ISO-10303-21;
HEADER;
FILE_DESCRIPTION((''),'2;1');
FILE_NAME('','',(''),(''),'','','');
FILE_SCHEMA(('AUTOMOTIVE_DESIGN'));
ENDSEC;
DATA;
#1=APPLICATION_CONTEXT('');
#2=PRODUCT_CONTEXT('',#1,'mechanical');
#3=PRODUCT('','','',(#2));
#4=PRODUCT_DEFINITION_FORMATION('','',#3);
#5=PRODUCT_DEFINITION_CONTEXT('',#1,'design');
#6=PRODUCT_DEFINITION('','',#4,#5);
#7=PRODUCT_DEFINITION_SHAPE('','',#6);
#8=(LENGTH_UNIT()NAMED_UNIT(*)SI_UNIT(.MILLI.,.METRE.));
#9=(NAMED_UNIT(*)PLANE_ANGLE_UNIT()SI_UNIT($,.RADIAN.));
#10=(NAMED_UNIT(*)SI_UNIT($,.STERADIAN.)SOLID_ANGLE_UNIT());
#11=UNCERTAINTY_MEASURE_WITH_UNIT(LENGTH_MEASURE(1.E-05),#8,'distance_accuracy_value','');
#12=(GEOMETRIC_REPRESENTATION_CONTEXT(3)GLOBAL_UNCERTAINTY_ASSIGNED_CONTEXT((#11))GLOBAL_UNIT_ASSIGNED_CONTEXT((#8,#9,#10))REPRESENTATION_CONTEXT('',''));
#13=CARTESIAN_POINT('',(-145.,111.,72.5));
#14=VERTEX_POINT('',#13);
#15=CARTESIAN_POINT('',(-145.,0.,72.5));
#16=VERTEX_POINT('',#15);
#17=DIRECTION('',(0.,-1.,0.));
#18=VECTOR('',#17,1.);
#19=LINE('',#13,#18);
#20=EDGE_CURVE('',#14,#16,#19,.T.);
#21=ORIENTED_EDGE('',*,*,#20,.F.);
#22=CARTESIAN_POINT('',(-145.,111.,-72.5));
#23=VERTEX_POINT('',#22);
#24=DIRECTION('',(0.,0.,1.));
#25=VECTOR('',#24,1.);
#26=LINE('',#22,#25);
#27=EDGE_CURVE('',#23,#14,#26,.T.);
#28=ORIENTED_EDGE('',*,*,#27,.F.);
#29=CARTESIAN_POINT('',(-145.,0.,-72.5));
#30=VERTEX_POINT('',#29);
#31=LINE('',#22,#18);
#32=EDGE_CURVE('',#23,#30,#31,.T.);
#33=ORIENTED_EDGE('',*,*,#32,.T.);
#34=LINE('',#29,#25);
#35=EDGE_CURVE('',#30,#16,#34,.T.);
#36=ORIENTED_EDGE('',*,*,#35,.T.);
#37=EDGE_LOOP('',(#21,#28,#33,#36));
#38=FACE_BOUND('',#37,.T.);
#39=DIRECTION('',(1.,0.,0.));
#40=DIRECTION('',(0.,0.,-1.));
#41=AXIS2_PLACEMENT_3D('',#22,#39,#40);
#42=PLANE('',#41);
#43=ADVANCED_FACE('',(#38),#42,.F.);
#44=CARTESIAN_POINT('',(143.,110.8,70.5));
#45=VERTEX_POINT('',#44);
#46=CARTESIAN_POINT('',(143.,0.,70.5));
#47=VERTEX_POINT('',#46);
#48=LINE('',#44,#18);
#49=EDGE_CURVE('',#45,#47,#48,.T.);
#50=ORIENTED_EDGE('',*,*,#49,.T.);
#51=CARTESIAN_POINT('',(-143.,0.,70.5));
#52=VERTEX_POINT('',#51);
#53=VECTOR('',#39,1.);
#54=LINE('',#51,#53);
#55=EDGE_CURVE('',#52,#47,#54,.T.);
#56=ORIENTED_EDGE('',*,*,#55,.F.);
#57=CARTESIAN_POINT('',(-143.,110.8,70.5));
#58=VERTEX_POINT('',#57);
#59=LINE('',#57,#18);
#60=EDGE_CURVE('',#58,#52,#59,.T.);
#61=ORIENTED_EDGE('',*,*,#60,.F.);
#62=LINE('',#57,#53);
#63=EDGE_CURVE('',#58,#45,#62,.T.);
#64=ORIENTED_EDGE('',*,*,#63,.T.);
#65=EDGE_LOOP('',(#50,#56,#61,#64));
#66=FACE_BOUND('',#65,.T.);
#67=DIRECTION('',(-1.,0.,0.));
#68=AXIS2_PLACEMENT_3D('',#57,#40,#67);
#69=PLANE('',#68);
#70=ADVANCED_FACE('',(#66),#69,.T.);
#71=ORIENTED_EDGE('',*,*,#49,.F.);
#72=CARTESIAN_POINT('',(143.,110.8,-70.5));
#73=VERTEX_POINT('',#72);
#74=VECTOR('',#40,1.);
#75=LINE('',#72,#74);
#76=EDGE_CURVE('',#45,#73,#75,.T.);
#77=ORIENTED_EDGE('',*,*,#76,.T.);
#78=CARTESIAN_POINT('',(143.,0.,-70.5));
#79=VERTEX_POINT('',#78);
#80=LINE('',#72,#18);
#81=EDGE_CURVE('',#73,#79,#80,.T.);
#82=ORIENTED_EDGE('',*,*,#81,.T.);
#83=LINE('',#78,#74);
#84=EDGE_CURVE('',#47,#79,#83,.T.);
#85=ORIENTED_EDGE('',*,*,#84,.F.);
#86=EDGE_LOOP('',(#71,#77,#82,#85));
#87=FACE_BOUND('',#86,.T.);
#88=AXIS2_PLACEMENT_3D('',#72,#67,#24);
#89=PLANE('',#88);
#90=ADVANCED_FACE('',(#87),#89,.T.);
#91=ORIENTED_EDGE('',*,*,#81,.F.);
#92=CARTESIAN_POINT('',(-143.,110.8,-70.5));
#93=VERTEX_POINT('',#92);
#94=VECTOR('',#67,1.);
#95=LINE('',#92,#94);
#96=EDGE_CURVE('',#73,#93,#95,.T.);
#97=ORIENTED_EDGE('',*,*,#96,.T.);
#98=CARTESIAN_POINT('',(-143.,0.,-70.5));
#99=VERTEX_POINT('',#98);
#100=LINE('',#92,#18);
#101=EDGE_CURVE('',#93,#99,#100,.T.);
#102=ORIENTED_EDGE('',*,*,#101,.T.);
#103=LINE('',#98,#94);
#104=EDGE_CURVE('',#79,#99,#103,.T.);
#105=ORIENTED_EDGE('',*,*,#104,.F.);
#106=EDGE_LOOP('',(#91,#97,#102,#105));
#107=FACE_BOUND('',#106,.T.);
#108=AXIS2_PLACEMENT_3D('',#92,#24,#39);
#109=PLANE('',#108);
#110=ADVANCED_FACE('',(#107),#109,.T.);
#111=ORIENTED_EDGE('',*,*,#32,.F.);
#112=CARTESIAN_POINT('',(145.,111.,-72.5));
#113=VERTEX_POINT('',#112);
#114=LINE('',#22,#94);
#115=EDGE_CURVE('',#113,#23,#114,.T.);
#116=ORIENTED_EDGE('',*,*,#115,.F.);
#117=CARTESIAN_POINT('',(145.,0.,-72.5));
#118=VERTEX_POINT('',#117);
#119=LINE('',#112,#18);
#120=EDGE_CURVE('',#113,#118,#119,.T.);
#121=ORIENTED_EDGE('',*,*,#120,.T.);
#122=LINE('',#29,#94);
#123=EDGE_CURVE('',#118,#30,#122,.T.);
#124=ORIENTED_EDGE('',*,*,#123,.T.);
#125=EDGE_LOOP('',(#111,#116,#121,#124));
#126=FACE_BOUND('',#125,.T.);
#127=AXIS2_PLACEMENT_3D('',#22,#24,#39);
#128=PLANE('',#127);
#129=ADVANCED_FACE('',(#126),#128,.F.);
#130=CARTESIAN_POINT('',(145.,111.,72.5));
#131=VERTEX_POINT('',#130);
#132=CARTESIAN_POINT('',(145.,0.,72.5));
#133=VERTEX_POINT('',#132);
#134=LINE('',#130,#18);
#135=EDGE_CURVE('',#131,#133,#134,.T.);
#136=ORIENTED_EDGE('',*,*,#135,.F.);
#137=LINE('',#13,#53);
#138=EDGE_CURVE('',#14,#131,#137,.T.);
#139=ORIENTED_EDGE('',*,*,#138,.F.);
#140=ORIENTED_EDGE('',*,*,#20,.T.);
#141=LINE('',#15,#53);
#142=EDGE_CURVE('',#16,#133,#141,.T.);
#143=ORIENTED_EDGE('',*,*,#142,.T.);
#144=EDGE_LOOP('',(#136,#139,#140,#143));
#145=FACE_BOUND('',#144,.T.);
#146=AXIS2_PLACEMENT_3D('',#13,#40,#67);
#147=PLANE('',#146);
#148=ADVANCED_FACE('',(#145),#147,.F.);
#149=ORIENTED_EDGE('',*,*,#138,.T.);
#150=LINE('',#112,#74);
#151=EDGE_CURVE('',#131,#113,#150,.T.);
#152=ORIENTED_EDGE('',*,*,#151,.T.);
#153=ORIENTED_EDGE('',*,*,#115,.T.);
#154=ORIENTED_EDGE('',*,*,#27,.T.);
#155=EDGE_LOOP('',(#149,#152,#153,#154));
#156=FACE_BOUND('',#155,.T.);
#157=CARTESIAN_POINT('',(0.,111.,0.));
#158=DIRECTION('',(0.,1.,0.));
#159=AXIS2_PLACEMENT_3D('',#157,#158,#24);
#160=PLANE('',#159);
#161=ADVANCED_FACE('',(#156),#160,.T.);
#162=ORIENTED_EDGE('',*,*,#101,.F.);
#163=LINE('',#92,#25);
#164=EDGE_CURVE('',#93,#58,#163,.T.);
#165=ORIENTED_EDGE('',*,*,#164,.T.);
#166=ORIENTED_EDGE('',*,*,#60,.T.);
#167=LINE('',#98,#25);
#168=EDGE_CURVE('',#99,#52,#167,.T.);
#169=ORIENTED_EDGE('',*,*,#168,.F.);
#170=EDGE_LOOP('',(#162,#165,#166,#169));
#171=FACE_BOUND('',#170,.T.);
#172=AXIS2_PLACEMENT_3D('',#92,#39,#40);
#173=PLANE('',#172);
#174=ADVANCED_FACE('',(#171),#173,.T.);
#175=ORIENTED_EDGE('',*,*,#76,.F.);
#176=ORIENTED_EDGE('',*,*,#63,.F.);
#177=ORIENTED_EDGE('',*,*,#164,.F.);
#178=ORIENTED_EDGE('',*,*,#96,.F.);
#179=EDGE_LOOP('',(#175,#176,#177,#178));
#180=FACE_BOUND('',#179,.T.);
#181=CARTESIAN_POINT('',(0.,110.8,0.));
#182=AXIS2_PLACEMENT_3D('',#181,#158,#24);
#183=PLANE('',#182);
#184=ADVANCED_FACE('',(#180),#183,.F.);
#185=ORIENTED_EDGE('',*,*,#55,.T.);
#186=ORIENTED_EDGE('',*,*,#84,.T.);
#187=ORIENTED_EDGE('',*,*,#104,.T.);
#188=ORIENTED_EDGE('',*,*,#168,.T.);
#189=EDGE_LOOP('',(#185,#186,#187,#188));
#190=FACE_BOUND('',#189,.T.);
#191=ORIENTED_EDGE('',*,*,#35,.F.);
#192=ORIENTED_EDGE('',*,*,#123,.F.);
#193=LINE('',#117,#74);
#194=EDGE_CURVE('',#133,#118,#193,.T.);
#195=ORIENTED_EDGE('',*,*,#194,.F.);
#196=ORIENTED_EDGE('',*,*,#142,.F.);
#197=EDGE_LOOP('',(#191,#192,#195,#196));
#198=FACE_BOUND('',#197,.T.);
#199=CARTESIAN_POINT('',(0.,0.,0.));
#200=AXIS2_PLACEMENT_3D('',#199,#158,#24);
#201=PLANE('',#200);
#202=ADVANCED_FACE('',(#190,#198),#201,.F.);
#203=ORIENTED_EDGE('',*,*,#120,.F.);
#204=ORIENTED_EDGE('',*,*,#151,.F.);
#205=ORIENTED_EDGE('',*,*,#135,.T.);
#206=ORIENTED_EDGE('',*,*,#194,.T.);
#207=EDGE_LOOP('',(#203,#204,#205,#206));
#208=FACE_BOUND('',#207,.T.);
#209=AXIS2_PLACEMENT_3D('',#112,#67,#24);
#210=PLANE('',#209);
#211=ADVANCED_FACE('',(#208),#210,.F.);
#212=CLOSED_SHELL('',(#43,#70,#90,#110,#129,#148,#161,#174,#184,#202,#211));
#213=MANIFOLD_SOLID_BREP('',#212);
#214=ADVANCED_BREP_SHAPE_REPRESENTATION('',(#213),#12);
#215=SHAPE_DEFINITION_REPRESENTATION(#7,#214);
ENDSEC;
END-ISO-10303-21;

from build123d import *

# Parameters (mm, degrees)
SKETCH4_W           = 290
SKETCH4_H           = 145
BOSS_EXTRUDE3_DEPTH = 111
SKETCH5_W           = 286
SKETCH5_H           = 141
CUT_EXTRUDE2_DEPTH  = 110.8


with BuildPart() as part:
    # Sketch4 → Boss-Extrude3 (new body)
    with BuildSketch(Plane(origin=(0, 0, 0), x_dir=(1, 0, 0), z_dir=(0, 1, 0))):
        Rectangle(SKETCH4_W, SKETCH4_H)
    extrude(amount=BOSS_EXTRUDE3_DEPTH)

    # Sketch5 → Cut-Extrude2 (cut)
    with BuildSketch(Plane(origin=(0, 0, 0), x_dir=(1, 0, 0), z_dir=(0, 1, 0))):
        Rectangle(SKETCH5_W, SKETCH5_H)
    extrude(amount=CUT_EXTRUDE2_DEPTH, mode=Mode.SUBTRACT)


solid = part.part
